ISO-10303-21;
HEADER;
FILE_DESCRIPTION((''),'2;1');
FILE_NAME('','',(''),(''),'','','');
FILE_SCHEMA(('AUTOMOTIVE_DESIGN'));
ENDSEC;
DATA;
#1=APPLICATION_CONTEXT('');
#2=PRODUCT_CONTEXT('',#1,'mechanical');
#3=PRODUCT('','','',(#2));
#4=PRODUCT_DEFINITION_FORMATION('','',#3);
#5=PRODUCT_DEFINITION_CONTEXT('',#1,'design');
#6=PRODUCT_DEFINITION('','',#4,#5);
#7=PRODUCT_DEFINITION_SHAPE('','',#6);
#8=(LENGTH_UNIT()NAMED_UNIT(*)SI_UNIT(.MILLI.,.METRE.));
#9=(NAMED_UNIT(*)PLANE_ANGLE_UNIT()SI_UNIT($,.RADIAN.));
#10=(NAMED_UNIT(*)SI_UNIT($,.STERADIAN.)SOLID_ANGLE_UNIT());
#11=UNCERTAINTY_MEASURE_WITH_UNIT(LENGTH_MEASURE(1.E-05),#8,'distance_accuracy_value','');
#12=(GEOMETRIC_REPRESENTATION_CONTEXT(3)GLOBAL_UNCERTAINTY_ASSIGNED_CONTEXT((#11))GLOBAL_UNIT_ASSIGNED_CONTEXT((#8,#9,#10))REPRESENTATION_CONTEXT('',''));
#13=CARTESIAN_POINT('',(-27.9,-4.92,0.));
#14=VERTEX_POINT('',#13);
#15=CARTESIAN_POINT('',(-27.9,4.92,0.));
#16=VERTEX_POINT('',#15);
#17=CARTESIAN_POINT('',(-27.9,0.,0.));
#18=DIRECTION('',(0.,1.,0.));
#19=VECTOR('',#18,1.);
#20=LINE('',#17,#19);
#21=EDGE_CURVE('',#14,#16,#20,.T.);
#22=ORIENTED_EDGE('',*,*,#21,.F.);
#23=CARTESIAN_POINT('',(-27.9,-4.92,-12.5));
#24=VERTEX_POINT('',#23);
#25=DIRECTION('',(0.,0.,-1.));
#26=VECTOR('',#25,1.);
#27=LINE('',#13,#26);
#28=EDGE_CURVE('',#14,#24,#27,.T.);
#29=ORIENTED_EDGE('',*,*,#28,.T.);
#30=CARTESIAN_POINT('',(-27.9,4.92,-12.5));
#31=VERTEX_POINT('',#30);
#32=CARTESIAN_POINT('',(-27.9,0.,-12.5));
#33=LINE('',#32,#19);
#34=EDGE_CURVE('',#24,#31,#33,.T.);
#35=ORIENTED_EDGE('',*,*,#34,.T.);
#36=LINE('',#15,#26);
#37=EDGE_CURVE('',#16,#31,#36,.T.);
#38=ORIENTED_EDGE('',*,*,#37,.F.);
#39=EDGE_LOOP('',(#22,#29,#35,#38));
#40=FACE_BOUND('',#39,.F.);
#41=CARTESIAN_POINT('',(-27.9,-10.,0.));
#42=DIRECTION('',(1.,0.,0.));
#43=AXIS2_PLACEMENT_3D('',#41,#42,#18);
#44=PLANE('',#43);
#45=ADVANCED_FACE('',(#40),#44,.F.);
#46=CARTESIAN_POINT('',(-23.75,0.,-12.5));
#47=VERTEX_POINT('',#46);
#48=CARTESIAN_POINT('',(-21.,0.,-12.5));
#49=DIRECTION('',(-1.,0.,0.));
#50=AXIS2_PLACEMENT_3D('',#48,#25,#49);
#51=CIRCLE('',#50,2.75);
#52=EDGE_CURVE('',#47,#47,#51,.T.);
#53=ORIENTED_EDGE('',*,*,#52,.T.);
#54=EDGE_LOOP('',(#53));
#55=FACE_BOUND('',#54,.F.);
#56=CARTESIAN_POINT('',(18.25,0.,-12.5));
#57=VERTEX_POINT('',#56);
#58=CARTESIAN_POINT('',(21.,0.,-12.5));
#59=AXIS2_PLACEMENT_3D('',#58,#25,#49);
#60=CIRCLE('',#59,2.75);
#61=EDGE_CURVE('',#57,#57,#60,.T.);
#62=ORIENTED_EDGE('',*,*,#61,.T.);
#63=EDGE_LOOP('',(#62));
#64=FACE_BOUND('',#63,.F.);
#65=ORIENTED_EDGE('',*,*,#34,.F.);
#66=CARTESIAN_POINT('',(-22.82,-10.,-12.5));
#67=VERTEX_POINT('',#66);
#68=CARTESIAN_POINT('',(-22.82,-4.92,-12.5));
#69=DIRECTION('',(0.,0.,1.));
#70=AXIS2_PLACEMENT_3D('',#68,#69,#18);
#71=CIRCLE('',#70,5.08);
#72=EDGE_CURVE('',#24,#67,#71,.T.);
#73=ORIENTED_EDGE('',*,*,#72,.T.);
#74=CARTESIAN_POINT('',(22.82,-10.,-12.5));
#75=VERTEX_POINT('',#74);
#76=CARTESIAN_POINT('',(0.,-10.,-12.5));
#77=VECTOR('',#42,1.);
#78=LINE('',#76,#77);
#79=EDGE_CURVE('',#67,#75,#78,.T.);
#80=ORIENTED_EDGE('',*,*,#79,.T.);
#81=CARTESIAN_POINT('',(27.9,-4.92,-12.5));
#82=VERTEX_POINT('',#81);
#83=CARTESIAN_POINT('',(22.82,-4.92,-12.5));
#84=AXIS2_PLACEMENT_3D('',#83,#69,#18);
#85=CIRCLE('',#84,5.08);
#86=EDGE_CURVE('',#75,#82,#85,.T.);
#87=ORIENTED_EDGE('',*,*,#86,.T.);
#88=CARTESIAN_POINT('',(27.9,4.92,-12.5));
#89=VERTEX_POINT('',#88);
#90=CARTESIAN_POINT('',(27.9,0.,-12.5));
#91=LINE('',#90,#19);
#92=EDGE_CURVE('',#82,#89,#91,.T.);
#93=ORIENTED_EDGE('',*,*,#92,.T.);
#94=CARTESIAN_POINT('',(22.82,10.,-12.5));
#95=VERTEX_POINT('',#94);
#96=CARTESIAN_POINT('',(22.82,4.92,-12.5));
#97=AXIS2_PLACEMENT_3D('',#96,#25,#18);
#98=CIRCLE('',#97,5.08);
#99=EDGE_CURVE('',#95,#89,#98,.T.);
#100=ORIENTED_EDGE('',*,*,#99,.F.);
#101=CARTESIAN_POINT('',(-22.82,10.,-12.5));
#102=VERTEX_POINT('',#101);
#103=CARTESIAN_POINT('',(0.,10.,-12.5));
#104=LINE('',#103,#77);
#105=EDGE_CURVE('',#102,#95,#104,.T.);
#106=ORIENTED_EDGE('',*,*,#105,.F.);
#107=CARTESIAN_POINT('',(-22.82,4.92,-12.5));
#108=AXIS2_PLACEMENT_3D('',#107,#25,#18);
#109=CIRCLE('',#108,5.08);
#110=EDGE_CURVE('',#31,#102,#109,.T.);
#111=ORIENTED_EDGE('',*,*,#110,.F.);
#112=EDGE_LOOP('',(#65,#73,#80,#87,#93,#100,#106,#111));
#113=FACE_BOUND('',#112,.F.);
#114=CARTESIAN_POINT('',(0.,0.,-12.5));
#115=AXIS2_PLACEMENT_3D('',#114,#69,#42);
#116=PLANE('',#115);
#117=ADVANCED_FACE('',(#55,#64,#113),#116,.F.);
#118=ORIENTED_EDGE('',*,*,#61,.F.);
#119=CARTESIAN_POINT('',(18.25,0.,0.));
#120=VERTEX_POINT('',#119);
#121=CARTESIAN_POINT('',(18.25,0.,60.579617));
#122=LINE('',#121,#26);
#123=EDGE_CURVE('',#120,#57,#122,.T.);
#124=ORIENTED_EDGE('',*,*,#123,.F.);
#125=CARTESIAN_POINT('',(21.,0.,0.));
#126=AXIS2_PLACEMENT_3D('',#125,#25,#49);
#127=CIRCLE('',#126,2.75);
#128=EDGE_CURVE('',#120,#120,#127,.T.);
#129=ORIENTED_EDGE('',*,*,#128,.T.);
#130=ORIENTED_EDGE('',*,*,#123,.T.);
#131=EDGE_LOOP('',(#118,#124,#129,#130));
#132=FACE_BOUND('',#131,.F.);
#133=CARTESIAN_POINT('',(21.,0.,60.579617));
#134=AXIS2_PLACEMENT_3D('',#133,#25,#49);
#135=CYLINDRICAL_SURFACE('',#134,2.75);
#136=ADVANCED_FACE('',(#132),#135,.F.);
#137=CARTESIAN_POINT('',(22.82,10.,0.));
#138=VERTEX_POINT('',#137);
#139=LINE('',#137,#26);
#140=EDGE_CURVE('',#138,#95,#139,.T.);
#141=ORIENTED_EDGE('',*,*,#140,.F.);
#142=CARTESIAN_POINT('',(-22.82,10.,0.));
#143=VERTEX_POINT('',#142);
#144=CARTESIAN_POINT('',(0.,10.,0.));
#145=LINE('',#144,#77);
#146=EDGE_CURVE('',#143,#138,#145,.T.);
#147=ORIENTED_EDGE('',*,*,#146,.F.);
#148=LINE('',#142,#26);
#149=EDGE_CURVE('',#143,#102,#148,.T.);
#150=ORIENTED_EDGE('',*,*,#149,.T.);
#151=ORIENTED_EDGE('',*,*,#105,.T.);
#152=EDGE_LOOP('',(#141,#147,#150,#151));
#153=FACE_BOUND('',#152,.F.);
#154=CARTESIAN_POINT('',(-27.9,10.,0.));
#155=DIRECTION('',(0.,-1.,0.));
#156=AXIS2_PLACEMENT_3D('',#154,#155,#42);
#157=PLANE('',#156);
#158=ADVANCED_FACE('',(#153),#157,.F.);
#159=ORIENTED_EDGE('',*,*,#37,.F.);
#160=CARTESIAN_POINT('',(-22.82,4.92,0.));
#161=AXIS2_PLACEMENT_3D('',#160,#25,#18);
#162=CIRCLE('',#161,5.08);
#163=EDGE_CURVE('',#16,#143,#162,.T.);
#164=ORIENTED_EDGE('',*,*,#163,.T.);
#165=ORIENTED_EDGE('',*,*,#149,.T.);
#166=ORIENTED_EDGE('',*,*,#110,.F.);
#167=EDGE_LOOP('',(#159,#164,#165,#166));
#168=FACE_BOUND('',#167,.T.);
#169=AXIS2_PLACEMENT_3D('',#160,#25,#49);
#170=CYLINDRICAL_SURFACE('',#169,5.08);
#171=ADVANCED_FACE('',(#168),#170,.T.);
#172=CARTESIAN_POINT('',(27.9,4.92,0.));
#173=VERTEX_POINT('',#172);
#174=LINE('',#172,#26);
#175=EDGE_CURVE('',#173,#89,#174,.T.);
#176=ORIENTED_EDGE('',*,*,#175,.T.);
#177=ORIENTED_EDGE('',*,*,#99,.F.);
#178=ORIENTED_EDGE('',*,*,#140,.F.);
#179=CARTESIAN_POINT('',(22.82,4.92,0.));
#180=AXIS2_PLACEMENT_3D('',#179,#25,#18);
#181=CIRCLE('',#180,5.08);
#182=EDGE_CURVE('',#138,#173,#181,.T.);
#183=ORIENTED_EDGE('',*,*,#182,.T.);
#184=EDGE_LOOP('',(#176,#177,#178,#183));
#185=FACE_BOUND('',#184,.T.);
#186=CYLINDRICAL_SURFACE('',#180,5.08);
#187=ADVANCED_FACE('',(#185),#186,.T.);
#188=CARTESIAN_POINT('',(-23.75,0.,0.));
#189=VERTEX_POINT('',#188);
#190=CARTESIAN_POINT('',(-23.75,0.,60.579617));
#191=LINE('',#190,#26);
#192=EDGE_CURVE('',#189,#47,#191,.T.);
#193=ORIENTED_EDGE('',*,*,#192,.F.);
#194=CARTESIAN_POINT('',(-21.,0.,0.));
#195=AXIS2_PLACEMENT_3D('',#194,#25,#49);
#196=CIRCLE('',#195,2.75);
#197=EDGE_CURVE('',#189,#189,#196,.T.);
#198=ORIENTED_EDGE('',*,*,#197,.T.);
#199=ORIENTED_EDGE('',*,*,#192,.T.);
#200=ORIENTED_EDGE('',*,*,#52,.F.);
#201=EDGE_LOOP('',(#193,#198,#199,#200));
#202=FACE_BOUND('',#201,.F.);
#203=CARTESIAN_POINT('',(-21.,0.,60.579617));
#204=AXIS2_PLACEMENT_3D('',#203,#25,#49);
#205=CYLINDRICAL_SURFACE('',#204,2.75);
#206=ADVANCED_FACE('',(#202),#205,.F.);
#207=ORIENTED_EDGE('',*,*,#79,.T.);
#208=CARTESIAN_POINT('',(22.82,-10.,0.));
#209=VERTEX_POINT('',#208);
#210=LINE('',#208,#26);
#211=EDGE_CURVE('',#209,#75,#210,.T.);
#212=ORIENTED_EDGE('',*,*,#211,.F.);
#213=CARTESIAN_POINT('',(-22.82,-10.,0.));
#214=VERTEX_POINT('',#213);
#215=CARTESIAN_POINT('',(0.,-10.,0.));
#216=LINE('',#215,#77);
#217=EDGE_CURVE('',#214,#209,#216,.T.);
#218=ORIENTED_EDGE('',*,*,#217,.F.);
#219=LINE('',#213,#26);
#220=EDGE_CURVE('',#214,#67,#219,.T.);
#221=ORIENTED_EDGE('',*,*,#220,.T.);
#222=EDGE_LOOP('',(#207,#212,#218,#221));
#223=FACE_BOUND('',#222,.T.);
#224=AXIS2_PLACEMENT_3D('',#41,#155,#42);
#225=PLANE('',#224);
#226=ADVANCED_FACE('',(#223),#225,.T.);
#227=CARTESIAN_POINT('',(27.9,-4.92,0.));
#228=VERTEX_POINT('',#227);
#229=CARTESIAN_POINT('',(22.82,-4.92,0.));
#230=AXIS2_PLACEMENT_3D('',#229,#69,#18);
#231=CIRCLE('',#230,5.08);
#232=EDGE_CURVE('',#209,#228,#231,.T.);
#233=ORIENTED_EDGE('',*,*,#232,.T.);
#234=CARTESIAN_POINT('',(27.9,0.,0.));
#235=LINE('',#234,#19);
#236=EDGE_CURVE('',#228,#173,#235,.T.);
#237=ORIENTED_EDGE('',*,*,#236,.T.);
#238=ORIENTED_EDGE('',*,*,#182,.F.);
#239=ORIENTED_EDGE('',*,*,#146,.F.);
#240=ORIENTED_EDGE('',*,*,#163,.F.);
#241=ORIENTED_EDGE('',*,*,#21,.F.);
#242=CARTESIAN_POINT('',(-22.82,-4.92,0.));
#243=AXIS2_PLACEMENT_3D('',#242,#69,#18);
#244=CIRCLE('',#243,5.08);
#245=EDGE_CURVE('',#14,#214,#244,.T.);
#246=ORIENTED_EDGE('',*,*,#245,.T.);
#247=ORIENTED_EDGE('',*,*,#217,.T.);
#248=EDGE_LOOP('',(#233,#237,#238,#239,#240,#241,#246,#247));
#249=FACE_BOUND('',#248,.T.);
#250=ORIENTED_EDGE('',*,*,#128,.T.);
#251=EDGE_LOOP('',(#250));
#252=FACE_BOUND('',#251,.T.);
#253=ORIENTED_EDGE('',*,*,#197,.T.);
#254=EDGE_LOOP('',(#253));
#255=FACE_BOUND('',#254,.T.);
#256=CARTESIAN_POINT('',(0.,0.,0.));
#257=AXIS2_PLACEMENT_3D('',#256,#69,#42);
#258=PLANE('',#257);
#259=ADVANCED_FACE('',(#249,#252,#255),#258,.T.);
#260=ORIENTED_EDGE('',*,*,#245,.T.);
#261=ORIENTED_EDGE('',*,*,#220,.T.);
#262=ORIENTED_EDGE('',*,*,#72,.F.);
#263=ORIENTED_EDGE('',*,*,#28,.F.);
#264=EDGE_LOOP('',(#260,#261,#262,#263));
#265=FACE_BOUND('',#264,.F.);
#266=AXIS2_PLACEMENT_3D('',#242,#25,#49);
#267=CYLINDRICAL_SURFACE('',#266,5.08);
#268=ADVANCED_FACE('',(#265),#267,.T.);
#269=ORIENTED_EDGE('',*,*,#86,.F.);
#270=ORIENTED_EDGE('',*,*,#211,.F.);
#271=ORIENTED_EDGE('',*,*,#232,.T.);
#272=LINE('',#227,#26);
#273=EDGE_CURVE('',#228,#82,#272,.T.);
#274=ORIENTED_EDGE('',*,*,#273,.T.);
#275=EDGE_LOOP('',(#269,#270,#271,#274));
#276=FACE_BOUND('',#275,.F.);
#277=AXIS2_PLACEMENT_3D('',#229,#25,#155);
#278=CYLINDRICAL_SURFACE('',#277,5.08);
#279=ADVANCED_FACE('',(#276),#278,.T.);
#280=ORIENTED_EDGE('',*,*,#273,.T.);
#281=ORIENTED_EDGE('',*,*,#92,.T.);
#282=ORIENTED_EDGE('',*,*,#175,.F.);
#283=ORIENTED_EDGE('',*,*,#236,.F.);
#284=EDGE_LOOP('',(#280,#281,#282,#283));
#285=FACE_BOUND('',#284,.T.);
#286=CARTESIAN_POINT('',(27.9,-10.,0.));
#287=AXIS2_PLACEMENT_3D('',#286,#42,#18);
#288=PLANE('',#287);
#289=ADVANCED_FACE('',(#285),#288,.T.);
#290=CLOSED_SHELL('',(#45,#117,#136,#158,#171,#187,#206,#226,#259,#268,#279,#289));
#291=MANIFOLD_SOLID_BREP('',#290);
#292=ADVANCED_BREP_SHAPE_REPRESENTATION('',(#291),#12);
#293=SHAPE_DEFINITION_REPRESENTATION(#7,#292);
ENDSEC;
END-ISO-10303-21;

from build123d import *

# Parameters (mm, degrees)
F0_W     = 55.8
F0_H     = 20
F1_DEPTH = 12.5
F2_D     = 5.5
F3_R     = 5.08


with BuildPart() as f1:
    # F0 (on Top) → F1 (new body)
    with BuildSketch(Plane.XY):
        Rectangle(F0_W, F0_H)
    extrude(amount=-F1_DEPTH)

    # F2 (through all)
    with Locations(Plane.XY):
        with Locations((21, 0), (-21, 0)):
            Hole(F2_D / 2)

    # F3
    f3_edges = [f1.edges().sort_by_distance(p)[0] for p in [
        (27.9, 10, -6.25),
        (27.9, -10, -6.25),
        (-27.9, -10, -6.25),
        (-27.9, 10, -6.25),
    ]]
    fillet(f3_edges, radius=F3_R)


solid = f1.part
